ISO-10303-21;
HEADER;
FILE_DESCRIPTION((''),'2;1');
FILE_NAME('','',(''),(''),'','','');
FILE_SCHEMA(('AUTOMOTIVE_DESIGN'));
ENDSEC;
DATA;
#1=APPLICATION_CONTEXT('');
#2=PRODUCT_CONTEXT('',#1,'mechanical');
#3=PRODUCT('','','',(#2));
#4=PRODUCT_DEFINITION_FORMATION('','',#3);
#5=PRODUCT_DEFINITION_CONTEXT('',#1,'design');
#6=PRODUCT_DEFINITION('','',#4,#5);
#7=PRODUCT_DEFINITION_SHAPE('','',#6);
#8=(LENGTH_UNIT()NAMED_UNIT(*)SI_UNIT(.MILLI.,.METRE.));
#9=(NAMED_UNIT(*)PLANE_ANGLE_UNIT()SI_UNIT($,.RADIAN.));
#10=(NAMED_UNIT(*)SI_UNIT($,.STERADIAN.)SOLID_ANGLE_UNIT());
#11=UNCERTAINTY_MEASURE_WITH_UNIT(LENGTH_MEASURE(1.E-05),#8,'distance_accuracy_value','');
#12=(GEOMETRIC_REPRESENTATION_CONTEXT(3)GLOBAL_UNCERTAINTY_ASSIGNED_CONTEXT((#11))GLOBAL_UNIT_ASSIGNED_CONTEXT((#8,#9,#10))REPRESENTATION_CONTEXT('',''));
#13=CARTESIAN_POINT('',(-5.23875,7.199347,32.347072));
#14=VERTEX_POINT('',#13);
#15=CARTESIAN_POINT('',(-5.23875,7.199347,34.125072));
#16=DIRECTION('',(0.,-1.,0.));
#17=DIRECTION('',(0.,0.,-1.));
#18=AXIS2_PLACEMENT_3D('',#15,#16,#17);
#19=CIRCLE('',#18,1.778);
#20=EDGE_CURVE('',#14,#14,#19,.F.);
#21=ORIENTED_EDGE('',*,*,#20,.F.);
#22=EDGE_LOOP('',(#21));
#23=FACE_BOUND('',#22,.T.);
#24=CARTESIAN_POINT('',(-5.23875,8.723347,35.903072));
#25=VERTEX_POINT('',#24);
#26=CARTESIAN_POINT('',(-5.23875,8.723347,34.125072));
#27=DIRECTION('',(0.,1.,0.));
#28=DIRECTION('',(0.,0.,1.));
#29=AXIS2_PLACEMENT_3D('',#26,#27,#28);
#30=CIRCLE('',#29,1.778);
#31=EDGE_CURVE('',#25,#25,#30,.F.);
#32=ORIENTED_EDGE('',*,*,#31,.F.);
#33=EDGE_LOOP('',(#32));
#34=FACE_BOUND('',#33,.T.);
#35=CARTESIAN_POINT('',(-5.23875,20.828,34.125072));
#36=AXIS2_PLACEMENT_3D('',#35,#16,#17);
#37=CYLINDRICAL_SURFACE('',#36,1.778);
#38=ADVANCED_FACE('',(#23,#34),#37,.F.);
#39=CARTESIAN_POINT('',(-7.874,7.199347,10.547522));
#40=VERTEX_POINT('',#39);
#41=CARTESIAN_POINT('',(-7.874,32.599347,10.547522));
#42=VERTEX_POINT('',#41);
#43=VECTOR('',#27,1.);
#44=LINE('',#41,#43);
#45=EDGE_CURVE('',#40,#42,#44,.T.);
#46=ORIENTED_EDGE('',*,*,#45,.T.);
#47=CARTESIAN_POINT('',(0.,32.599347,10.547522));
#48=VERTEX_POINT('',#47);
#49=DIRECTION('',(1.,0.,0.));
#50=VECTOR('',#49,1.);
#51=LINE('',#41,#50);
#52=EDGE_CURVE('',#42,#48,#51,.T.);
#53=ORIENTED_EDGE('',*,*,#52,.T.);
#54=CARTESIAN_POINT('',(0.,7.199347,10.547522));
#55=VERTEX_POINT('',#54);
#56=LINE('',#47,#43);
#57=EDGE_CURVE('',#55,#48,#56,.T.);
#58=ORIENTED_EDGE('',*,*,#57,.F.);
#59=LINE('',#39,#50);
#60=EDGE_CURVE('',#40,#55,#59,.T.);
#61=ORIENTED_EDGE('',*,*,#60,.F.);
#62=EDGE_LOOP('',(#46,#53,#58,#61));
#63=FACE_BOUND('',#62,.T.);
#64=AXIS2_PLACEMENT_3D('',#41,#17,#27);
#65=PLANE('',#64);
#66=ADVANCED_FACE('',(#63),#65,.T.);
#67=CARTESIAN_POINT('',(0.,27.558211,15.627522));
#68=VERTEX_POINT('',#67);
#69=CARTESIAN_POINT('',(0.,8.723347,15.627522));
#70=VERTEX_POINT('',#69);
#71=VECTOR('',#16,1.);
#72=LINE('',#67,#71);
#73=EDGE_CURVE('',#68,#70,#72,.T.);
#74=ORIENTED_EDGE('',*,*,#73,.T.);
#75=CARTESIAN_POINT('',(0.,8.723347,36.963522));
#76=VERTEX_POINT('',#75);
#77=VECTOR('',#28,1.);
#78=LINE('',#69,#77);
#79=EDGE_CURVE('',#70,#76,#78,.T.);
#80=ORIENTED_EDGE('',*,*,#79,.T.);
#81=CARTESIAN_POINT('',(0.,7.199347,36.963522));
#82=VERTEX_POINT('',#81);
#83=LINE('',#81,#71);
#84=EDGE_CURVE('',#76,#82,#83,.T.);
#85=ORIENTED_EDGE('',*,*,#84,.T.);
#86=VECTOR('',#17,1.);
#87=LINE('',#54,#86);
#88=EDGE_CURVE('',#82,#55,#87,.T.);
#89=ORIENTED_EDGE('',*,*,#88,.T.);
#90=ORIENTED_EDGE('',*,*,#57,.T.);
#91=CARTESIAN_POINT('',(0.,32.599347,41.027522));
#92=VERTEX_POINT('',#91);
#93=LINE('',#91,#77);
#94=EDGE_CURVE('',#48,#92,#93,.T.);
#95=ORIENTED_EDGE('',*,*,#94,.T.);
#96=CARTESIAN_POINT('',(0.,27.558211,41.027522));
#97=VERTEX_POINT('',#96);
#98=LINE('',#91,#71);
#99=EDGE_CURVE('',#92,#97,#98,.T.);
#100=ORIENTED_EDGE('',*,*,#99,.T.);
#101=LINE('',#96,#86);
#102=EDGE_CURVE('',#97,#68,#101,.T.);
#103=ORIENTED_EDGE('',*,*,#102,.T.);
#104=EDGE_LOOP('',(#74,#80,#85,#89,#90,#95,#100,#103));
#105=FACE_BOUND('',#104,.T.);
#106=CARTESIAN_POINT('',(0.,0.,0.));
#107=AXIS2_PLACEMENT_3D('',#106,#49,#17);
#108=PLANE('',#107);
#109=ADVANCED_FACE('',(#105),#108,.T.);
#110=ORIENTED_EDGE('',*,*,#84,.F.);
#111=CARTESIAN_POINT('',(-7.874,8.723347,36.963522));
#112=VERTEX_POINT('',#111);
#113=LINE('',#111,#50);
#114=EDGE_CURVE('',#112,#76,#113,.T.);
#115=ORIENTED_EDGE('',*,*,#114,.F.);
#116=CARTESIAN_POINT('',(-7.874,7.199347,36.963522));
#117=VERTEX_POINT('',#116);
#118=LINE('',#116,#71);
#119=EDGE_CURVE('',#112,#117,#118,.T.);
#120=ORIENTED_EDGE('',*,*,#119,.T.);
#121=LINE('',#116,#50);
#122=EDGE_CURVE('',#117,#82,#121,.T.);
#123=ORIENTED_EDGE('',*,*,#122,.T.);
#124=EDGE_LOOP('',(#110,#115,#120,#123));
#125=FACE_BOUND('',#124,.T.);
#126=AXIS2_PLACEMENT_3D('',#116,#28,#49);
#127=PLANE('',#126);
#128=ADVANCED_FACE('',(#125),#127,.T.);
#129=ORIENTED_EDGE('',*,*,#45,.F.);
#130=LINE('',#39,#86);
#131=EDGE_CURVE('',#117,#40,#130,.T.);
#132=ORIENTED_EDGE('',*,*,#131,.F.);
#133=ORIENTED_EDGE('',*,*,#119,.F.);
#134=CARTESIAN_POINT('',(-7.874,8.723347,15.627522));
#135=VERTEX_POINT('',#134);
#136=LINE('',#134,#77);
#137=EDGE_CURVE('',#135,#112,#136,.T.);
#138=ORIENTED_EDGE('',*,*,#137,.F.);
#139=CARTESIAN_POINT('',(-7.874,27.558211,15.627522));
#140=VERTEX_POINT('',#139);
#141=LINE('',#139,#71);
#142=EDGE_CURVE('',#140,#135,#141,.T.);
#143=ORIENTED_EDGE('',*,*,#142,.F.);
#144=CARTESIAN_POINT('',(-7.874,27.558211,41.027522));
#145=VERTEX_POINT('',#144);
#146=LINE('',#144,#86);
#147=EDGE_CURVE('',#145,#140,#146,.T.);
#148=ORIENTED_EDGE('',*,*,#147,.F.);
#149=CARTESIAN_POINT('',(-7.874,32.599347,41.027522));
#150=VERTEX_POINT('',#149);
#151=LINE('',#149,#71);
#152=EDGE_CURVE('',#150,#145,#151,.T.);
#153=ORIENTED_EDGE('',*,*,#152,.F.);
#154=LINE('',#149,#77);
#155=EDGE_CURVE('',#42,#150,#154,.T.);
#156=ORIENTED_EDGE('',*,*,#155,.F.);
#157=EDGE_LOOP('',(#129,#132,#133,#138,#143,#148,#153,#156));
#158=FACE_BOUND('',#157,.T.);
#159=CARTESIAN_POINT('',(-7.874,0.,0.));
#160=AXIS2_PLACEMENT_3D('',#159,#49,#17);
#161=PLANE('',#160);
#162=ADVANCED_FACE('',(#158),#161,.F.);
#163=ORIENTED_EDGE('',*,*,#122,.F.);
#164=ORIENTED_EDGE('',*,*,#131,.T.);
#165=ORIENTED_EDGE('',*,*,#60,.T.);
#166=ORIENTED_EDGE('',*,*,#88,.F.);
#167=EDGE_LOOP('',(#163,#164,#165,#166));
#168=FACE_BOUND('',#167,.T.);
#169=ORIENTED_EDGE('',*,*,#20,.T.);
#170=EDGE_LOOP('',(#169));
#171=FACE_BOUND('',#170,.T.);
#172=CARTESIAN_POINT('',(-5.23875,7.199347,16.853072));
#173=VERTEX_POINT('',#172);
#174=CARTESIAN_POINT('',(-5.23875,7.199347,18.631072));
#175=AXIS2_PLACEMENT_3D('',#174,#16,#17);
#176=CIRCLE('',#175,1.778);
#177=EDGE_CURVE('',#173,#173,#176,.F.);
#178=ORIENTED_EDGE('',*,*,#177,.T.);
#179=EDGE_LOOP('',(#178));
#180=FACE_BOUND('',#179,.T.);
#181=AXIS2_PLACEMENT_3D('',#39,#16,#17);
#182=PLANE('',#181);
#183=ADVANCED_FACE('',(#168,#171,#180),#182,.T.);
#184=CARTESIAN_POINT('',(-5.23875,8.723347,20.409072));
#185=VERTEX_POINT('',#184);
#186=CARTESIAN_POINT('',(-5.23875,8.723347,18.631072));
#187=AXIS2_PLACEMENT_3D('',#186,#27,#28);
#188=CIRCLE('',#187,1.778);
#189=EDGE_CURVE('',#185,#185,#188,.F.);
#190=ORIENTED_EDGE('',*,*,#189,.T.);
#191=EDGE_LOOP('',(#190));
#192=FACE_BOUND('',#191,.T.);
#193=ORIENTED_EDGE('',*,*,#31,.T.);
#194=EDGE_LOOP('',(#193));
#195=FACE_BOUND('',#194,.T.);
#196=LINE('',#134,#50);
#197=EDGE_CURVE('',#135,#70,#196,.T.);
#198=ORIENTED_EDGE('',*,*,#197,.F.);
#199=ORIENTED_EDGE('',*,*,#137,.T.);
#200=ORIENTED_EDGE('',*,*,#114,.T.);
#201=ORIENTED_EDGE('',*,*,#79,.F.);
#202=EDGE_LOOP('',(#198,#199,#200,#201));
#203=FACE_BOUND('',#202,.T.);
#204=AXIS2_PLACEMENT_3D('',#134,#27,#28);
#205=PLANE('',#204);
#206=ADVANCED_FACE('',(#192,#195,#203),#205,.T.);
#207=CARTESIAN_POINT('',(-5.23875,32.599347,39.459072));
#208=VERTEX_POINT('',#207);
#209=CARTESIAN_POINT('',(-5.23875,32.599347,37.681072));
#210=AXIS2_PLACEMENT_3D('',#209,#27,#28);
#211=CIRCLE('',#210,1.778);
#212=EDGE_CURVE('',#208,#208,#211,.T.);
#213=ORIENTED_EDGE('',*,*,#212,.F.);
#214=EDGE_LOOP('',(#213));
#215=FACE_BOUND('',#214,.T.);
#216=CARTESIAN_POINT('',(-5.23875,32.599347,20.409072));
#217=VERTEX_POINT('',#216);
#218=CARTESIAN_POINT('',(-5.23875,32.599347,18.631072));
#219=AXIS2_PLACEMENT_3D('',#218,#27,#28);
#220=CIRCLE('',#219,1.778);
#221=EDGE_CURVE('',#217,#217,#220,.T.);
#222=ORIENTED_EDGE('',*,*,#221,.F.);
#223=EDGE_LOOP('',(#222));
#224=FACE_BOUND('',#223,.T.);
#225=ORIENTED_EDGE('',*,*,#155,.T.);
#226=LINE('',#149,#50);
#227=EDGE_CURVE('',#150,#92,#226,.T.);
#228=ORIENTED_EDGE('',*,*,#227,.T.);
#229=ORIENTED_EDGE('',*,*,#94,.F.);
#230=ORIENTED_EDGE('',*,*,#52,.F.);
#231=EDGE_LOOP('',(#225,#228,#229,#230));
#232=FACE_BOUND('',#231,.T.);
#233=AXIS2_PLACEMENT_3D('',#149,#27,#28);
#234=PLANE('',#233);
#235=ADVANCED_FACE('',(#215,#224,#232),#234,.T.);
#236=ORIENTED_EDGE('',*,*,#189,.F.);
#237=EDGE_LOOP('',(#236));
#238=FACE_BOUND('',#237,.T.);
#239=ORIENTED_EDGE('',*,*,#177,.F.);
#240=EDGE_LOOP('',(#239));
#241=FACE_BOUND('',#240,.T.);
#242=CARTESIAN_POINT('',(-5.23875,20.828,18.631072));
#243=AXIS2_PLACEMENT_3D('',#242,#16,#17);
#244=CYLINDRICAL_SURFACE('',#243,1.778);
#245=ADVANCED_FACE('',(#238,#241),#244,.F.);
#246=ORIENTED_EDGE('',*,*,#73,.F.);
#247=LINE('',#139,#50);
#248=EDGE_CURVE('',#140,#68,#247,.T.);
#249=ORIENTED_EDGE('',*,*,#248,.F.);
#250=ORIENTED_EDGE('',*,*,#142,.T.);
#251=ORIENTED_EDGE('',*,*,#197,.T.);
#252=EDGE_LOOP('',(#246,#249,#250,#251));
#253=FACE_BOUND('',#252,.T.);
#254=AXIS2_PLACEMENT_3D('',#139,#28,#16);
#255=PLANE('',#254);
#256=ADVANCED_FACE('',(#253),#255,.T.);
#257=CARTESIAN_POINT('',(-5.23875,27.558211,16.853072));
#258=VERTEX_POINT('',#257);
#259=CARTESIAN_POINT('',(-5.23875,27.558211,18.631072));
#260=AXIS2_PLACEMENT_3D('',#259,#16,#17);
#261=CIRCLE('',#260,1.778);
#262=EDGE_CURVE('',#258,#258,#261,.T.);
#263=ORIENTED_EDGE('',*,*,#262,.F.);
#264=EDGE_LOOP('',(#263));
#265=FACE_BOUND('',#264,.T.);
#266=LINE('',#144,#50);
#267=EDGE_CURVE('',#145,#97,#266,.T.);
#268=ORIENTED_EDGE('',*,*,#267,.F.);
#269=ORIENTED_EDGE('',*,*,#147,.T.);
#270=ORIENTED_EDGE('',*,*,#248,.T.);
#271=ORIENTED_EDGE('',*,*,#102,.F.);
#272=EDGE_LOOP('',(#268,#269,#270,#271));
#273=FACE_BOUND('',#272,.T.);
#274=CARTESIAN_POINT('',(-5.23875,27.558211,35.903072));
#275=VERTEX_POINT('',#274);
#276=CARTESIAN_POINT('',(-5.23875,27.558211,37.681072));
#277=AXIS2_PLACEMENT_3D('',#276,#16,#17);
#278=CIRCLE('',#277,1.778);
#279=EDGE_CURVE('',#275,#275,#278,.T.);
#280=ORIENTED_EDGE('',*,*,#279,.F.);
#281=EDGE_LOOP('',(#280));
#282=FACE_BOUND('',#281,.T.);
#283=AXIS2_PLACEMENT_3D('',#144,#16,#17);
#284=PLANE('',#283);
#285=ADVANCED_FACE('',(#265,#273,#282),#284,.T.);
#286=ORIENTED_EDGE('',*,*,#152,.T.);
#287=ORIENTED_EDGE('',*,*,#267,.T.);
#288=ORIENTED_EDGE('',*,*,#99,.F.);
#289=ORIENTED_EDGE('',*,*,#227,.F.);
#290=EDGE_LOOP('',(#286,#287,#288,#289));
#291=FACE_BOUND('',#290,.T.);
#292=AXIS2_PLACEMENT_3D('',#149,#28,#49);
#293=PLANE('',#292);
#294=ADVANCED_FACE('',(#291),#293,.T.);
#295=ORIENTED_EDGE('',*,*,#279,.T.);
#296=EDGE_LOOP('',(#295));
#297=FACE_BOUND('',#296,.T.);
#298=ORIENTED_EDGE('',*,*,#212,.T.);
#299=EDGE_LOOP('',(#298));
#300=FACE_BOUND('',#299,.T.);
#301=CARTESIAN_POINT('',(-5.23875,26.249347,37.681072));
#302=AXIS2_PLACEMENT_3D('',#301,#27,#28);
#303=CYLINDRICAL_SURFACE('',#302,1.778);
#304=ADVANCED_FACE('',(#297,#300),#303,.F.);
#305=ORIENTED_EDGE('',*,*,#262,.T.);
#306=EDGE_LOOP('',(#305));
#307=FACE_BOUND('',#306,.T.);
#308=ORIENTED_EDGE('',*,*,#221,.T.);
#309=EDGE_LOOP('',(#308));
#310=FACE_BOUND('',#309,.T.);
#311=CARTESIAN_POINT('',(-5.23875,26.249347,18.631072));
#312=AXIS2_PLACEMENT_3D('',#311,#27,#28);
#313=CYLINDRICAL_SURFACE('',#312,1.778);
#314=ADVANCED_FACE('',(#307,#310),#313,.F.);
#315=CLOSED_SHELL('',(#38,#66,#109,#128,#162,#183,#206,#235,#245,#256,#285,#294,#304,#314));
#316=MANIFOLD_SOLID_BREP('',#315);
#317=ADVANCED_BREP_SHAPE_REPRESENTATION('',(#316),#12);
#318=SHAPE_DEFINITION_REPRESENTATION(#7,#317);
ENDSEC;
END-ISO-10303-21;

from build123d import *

# Parameters (mm, degrees)
BOSS_EXTRUDE1_DEPTH = 7.874
SKETCH4_R           = 1.778
CUT_EXTRUDE2_DEPTH  = 20.828
CUT_EXTRUDE3_START  = -6.35
SKETCH5_R           = 1.778
CUT_EXTRUDE3_DEPTH  = 6.35


with BuildPart() as part:
    # Sketch1 → Boss-Extrude1 (new body)
    with BuildSketch(Plane(origin=(0, 0, 0), x_dir=(0, 0, -1), z_dir=(1, 0, 0))):
        Polygon((-10.547521943, 32.599346848), (-10.547521943, 7.199346848), (-36.963521943, 7.199346848), (-36.963521943, 8.723346848), (-15.627521943, 8.723346848), (-15.627521943, 27.558210738), (-41.027521943, 27.558210738), (-41.027521943, 32.599346848), align=None)
    extrude(amount=-BOSS_EXTRUDE1_DEPTH)

    # Sketch4 → Cut-Extrude2 (cut)
    with BuildSketch(Plane(origin=(0, 0, 0), x_dir=(1, 0, 0), z_dir=(0, 1, 0))):
        with Locations(Location((-5.23875, -18.631071943, 0), (0, 0, 90))):
            Circle(SKETCH4_R)
        with Locations(Location((-5.23875, -34.125071943, 0), (0, 0, 90))):
            Circle(SKETCH4_R)
    extrude(amount=CUT_EXTRUDE2_DEPTH, mode=Mode.SUBTRACT)

    # Sketch5 → Cut-Extrude3 (cut)
    with BuildSketch(Plane(origin=(0, 32.599346848, 0), x_dir=(1, 0, 0), z_dir=(0, 1, 0)).offset(CUT_EXTRUDE3_START)):
        with Locations(Location((-5.23875, -18.631071943, 0), (0, 0, 90))):
            Circle(SKETCH5_R)
        with Locations(Location((-5.23875, -37.681071943, 0), (0, 0, 270))):
            Circle(SKETCH5_R)
    extrude(amount=CUT_EXTRUDE3_DEPTH, mode=Mode.SUBTRACT)


solid = part.part
